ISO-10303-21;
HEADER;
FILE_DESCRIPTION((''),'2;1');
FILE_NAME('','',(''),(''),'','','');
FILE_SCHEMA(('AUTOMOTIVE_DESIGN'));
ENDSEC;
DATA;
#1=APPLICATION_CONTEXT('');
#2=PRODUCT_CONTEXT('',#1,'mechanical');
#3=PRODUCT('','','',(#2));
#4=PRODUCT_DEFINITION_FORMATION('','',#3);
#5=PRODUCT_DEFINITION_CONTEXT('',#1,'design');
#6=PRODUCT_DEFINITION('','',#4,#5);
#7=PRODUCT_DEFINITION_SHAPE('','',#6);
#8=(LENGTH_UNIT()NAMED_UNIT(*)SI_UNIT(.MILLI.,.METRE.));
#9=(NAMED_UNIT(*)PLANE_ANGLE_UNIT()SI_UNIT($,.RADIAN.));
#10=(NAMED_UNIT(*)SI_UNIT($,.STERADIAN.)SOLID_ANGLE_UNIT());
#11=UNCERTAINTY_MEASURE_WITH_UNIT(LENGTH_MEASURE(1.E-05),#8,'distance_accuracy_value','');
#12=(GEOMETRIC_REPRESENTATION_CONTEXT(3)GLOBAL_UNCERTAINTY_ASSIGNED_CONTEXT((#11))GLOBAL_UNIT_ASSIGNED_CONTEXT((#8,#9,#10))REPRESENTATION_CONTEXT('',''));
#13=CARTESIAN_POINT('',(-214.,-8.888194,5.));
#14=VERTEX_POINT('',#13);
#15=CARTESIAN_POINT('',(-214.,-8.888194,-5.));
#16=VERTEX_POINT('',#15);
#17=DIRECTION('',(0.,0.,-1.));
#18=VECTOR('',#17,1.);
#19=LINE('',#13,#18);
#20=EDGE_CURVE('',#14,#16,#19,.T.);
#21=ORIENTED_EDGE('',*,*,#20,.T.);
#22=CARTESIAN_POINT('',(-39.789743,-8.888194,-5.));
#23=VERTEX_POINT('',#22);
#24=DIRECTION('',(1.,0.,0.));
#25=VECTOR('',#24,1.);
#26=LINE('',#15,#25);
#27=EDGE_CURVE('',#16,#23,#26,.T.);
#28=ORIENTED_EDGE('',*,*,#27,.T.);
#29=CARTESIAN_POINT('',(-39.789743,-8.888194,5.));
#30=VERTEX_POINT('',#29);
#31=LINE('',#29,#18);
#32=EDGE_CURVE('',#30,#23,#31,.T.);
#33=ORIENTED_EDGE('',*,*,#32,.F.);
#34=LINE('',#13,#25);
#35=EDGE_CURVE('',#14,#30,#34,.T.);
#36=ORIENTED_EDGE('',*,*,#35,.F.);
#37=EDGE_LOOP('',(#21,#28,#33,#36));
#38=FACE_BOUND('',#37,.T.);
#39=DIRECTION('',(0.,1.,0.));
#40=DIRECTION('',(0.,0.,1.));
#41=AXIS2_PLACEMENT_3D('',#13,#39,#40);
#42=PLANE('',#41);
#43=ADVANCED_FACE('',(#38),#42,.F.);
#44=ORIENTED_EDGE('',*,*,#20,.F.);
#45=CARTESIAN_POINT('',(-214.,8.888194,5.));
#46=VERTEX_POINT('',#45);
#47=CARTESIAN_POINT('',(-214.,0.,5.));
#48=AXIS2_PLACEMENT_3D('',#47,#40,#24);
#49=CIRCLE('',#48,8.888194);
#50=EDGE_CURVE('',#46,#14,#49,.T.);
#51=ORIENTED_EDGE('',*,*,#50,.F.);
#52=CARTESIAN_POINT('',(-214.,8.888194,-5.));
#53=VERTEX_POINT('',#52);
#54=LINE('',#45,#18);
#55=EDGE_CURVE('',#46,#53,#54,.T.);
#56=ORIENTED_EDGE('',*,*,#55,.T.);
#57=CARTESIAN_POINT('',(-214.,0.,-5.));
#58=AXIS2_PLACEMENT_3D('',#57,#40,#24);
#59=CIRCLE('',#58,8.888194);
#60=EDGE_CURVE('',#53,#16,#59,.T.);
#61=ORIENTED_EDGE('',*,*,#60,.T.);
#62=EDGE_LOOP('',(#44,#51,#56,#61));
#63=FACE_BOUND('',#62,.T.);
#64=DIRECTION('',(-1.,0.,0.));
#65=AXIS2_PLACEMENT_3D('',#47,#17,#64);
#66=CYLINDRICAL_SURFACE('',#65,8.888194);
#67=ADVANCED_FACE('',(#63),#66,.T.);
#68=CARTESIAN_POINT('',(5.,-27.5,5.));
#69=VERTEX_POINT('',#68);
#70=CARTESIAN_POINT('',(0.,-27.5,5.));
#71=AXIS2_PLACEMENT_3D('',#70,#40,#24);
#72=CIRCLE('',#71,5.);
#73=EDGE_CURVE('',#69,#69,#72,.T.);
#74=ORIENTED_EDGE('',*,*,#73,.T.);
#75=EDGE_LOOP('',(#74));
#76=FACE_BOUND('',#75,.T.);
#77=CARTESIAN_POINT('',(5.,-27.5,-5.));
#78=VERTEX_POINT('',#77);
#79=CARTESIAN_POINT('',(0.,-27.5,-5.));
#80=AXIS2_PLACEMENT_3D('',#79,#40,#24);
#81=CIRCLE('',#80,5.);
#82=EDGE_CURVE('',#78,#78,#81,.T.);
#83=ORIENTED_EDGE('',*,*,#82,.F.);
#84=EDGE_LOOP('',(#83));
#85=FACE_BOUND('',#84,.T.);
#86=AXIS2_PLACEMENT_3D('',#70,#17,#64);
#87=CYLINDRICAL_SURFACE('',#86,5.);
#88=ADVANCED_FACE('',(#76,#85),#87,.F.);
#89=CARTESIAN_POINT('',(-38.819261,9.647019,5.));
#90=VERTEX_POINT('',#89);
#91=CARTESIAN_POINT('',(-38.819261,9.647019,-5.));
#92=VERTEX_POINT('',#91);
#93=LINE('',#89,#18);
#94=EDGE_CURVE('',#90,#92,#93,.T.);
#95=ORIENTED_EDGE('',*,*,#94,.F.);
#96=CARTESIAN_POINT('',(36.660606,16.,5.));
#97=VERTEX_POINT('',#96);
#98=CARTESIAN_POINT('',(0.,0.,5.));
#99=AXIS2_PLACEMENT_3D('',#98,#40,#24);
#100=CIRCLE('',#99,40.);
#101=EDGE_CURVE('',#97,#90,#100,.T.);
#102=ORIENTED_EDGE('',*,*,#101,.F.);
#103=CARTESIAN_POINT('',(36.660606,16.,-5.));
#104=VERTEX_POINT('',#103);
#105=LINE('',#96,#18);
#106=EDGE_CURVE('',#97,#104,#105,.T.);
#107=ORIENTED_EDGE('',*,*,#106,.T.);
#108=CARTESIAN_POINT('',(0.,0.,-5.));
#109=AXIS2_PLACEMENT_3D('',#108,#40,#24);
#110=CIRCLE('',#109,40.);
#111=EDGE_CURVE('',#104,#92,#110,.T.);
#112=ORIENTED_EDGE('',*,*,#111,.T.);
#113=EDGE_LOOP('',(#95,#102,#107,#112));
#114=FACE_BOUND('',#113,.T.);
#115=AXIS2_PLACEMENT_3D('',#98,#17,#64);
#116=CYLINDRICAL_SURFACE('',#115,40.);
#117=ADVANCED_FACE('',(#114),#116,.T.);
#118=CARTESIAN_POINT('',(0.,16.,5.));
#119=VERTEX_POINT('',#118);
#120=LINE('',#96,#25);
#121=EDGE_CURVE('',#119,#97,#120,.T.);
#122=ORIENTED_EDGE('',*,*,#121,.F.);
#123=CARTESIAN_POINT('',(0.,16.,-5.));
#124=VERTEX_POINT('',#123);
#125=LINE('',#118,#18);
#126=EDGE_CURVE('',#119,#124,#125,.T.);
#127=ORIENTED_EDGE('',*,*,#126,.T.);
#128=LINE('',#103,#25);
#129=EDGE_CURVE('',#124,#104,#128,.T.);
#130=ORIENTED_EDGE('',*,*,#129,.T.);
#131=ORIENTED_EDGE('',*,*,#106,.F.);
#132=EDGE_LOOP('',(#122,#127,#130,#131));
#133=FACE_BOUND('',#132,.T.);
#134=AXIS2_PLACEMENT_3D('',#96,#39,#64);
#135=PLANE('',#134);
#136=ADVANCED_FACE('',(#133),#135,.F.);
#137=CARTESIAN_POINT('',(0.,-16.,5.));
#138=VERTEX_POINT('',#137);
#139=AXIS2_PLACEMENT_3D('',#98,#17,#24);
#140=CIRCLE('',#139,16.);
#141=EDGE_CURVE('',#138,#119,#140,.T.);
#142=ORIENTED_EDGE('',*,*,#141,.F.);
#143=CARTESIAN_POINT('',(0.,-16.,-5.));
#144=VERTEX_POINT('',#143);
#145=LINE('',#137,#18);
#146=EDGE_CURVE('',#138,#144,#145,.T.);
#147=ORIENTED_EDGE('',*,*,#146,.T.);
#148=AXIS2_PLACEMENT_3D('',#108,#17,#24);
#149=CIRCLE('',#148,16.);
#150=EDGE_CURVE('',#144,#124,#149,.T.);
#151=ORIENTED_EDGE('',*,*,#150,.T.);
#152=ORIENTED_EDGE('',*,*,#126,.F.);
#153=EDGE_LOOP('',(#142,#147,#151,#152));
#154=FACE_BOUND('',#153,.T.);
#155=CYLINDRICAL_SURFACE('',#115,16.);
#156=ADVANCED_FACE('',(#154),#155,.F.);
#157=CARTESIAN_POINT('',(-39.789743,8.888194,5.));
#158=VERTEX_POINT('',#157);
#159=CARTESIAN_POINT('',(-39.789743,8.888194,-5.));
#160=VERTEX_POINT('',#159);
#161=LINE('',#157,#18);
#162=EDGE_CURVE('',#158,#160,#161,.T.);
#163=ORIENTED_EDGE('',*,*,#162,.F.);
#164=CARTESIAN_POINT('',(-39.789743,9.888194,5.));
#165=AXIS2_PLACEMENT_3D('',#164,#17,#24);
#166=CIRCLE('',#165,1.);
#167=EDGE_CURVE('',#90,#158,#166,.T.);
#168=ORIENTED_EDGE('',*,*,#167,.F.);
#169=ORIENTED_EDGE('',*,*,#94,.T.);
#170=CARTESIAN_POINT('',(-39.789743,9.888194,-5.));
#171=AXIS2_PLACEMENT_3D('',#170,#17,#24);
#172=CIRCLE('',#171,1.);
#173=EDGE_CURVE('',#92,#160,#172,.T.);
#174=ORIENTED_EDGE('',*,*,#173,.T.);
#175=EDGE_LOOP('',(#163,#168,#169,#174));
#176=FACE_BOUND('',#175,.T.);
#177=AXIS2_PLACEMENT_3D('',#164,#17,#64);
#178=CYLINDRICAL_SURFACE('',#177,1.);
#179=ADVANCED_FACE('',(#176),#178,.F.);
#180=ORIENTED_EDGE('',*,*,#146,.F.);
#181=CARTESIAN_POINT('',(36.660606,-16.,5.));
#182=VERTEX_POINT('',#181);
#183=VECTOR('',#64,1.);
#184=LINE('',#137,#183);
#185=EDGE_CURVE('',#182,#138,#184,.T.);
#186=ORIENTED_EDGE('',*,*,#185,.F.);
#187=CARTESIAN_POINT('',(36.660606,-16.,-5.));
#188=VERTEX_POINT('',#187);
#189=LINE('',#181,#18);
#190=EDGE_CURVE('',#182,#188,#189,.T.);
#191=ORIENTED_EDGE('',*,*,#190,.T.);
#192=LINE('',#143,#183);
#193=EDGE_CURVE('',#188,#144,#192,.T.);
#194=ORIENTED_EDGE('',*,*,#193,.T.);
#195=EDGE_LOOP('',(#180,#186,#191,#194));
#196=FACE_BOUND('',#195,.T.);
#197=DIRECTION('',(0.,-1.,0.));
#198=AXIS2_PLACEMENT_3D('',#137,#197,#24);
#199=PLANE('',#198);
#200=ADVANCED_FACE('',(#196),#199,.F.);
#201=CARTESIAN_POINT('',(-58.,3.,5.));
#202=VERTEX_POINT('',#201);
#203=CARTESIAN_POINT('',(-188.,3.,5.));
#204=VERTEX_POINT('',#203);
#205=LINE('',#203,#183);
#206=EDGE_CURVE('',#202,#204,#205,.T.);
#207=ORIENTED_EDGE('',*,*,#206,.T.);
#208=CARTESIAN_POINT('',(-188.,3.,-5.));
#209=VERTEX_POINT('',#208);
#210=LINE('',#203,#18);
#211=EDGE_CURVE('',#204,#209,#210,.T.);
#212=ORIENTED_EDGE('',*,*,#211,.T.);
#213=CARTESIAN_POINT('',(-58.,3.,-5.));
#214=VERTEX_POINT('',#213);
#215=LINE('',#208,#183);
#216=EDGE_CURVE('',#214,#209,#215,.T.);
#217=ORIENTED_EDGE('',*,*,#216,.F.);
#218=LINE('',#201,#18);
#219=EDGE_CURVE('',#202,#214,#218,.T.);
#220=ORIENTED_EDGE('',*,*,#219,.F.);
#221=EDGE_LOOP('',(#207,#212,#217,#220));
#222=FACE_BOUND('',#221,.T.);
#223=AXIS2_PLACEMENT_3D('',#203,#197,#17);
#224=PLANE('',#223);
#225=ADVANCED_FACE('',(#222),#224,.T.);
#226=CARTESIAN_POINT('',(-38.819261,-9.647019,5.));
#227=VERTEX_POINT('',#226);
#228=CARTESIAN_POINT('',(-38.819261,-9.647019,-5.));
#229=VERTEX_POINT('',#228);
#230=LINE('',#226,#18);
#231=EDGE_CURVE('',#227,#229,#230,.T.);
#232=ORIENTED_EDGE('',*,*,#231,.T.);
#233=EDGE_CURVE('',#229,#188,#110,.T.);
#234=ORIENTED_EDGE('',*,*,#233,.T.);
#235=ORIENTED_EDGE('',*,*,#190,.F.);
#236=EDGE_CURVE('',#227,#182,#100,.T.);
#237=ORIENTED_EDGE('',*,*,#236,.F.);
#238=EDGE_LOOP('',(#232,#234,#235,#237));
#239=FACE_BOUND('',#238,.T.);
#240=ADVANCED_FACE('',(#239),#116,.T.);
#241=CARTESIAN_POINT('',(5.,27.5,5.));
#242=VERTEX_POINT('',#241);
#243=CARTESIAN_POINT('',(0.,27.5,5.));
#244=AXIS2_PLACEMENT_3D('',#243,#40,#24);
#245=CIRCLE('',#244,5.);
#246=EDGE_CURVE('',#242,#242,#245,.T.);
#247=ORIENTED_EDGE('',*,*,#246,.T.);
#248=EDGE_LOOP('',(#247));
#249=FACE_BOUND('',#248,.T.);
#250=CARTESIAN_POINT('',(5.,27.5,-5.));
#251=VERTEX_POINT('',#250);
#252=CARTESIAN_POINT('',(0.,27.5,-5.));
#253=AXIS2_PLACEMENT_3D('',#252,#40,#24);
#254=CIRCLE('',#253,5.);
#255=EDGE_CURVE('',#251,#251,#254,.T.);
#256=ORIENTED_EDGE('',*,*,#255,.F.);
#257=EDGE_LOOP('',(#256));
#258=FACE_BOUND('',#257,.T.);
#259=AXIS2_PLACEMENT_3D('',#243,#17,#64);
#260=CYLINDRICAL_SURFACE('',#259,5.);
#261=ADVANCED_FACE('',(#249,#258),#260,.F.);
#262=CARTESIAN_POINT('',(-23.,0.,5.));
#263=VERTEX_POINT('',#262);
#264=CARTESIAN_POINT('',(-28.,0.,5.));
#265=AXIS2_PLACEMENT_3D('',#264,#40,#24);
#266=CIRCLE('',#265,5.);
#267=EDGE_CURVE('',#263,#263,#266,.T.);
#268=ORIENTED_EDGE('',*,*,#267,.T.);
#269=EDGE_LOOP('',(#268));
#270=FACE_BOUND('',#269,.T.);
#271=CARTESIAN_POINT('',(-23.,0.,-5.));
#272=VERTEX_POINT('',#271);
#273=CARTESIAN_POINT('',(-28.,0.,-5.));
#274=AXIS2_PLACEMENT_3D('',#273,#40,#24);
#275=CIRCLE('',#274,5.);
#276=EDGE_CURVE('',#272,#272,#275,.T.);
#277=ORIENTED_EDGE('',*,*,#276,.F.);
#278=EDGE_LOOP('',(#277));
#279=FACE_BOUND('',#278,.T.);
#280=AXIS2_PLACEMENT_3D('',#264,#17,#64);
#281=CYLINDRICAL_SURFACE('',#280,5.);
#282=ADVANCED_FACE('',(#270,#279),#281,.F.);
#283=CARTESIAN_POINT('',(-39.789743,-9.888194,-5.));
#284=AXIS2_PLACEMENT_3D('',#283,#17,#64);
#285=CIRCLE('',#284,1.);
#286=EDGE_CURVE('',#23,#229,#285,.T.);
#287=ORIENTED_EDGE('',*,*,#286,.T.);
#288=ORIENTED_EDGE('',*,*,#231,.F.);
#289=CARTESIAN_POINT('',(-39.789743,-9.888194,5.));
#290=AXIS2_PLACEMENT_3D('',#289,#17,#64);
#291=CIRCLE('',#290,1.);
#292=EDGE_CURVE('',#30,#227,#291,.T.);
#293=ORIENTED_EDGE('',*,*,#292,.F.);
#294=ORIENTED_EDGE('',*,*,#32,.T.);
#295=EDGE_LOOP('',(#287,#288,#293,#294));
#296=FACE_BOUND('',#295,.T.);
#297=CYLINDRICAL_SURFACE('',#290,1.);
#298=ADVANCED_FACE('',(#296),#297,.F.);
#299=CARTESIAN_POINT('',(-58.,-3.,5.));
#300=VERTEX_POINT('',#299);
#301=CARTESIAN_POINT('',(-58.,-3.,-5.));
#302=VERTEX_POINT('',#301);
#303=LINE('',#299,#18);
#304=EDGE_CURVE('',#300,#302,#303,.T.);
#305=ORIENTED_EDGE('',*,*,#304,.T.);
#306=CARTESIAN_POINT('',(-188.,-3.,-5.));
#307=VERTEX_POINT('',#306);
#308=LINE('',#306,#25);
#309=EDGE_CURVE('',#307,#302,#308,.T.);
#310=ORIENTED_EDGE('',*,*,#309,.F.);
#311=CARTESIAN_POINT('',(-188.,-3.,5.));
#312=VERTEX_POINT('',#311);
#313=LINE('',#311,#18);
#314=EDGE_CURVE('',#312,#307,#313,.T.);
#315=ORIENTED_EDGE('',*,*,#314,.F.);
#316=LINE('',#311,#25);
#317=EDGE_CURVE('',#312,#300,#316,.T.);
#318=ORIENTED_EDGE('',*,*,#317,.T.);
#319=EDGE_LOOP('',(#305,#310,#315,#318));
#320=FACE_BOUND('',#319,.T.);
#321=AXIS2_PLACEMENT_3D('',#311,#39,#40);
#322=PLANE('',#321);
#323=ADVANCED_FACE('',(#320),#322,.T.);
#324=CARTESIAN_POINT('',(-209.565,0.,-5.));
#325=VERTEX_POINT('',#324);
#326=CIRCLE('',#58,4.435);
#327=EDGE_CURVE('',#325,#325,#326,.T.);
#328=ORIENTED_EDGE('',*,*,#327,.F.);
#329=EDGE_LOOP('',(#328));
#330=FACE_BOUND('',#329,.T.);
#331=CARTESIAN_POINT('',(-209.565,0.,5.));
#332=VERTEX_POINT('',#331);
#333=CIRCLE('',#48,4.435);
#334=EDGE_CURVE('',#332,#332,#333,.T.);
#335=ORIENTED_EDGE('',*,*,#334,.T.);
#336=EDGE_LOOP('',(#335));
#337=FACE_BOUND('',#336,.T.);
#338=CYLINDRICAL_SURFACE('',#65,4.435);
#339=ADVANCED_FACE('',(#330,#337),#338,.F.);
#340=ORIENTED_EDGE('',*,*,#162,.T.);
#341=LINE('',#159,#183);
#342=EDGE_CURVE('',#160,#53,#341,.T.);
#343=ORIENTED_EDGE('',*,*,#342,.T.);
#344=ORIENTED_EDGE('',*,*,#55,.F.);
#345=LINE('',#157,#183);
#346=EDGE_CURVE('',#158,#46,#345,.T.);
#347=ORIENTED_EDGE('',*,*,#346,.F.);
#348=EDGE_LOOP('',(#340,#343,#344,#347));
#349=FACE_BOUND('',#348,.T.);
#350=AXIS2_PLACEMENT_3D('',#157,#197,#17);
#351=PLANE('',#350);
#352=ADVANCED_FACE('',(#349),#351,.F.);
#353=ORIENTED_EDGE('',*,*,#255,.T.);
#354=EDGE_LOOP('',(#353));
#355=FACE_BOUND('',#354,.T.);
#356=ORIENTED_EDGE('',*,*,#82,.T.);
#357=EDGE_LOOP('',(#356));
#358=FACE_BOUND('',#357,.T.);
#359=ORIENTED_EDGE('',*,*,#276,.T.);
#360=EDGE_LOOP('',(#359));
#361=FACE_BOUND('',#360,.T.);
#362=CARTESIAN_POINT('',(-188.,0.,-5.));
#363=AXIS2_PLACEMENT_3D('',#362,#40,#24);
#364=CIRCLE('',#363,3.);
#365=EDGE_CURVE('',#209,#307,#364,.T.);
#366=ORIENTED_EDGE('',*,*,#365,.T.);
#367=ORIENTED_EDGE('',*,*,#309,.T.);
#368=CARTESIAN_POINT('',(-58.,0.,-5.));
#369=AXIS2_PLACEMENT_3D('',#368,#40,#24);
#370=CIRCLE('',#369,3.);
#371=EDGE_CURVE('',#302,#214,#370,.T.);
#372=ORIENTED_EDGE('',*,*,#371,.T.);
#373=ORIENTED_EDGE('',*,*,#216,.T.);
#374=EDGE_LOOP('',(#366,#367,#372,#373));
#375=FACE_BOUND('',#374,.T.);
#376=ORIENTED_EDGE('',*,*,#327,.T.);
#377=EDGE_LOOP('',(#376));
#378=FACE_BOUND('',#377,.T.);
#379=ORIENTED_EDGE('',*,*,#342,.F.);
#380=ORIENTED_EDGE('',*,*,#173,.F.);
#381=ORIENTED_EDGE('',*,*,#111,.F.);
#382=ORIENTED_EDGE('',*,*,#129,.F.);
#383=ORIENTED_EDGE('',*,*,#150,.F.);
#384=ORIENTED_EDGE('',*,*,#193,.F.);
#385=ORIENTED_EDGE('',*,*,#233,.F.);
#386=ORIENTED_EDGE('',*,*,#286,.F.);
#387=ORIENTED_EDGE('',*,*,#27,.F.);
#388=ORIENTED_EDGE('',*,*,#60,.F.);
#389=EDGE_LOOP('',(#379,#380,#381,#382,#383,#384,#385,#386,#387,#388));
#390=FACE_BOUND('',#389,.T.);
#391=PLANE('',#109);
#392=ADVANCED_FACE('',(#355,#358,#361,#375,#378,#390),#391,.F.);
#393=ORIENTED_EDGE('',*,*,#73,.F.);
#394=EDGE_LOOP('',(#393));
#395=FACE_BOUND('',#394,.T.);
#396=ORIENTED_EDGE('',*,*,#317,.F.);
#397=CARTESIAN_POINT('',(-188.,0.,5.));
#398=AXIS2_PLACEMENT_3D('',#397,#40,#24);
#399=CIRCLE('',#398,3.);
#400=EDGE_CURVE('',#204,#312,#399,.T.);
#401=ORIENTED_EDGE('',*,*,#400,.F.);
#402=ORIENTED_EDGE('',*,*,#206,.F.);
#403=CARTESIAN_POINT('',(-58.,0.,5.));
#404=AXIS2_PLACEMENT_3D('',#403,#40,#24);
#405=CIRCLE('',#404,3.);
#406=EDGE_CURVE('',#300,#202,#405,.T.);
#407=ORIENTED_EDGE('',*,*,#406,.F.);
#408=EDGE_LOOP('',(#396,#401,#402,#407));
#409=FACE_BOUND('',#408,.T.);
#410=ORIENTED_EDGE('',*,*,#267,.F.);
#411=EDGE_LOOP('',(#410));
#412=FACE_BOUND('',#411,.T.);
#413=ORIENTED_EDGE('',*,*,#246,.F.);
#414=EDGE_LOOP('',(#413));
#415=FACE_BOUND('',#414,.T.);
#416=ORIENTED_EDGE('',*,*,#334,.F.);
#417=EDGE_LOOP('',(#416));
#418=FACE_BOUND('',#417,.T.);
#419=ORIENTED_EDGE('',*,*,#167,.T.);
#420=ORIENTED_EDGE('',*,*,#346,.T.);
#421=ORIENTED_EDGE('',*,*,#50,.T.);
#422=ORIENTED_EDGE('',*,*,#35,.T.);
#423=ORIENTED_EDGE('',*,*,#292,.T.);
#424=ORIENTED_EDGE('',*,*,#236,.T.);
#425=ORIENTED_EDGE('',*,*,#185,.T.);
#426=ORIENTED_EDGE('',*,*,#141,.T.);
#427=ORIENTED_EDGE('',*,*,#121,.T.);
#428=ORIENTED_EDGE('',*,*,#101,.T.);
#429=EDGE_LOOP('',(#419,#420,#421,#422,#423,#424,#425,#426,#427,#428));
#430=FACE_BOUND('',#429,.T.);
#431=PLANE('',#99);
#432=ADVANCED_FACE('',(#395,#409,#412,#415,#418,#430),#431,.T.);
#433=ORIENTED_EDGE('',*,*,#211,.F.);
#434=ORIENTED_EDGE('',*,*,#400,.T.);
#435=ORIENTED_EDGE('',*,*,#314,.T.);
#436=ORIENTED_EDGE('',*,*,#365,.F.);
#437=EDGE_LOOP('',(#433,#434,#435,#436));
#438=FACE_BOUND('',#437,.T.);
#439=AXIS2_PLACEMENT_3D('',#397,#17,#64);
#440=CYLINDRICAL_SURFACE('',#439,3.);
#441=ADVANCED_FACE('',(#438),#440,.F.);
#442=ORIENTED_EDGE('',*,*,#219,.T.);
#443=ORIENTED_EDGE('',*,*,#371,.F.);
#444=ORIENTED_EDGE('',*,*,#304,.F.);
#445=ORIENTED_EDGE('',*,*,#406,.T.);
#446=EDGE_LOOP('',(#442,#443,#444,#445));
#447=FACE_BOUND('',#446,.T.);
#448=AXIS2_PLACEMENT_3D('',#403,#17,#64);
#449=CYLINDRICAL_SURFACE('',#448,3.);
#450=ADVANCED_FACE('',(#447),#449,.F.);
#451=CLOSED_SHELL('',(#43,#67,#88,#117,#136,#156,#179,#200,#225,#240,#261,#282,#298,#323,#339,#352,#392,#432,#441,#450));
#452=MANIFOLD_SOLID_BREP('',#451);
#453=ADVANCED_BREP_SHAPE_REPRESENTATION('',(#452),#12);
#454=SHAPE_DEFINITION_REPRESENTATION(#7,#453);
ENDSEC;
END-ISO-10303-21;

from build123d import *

# Parameters (mm, degrees)
SKETCH1_R           = 5
SKETCH1_R_2         = 4.435
BOSS_EXTRUDE1_DEPTH = 5


with BuildPart() as part:
    # Sketch1 → Boss-Extrude1 (new, symmetric)
    with BuildSketch(Plane.XY):
        with BuildLine():
            Line((36.66060556, 16), (0, 16))
            ThreePointArc((0, 16), (-16, 0), (0, -16))
            Line((0, -16), (36.66060556, -16))
            ThreePointArc((36.66060556, -16), (-3.354853263, -39.859063707), (-38.819261012, -9.647018944))
            ThreePointArc((-38.819261012, -9.647018944), (-39.173778039, -9.100420505), (-39.789742537, -8.888194417))
            Line((-39.789742537, -8.888194417), (-214, -8.888194417))
            ThreePointArc((-214, -8.888194417), (-222.888194417, 0), (-214, 8.888194417))
            Line((-214, 8.888194417), (-39.789742537, 8.888194417))
            ThreePointArc((-39.789742537, 8.888194417), (-39.173778039, 9.100420505), (-38.819261012, 9.647018944))
            ThreePointArc((-38.819261012, 9.647018944), (-3.354853263, 39.859063707), (36.66060556, 16))
        make_face()
        with Locations((0, 27.5)):
            Circle(SKETCH1_R, mode=Mode.SUBTRACT)
        with Locations((-28, 0)):
            Circle(SKETCH1_R, mode=Mode.SUBTRACT)
        with Locations((0, -27.5)):
            Circle(SKETCH1_R, mode=Mode.SUBTRACT)
        with Locations((-214, 0)):
            Circle(SKETCH1_R_2, mode=Mode.SUBTRACT)
        with BuildLine():
            Line((-188, 3), (-58, 3))
            ThreePointArc((-58, 3), (-55, 0), (-58, -3))
            Line((-58, -3), (-188, -3))
            ThreePointArc((-188, -3), (-191, 0), (-188, 3))
        make_face(mode=Mode.SUBTRACT)
    extrude(amount=BOSS_EXTRUDE1_DEPTH, both=True)


solid = part.part
